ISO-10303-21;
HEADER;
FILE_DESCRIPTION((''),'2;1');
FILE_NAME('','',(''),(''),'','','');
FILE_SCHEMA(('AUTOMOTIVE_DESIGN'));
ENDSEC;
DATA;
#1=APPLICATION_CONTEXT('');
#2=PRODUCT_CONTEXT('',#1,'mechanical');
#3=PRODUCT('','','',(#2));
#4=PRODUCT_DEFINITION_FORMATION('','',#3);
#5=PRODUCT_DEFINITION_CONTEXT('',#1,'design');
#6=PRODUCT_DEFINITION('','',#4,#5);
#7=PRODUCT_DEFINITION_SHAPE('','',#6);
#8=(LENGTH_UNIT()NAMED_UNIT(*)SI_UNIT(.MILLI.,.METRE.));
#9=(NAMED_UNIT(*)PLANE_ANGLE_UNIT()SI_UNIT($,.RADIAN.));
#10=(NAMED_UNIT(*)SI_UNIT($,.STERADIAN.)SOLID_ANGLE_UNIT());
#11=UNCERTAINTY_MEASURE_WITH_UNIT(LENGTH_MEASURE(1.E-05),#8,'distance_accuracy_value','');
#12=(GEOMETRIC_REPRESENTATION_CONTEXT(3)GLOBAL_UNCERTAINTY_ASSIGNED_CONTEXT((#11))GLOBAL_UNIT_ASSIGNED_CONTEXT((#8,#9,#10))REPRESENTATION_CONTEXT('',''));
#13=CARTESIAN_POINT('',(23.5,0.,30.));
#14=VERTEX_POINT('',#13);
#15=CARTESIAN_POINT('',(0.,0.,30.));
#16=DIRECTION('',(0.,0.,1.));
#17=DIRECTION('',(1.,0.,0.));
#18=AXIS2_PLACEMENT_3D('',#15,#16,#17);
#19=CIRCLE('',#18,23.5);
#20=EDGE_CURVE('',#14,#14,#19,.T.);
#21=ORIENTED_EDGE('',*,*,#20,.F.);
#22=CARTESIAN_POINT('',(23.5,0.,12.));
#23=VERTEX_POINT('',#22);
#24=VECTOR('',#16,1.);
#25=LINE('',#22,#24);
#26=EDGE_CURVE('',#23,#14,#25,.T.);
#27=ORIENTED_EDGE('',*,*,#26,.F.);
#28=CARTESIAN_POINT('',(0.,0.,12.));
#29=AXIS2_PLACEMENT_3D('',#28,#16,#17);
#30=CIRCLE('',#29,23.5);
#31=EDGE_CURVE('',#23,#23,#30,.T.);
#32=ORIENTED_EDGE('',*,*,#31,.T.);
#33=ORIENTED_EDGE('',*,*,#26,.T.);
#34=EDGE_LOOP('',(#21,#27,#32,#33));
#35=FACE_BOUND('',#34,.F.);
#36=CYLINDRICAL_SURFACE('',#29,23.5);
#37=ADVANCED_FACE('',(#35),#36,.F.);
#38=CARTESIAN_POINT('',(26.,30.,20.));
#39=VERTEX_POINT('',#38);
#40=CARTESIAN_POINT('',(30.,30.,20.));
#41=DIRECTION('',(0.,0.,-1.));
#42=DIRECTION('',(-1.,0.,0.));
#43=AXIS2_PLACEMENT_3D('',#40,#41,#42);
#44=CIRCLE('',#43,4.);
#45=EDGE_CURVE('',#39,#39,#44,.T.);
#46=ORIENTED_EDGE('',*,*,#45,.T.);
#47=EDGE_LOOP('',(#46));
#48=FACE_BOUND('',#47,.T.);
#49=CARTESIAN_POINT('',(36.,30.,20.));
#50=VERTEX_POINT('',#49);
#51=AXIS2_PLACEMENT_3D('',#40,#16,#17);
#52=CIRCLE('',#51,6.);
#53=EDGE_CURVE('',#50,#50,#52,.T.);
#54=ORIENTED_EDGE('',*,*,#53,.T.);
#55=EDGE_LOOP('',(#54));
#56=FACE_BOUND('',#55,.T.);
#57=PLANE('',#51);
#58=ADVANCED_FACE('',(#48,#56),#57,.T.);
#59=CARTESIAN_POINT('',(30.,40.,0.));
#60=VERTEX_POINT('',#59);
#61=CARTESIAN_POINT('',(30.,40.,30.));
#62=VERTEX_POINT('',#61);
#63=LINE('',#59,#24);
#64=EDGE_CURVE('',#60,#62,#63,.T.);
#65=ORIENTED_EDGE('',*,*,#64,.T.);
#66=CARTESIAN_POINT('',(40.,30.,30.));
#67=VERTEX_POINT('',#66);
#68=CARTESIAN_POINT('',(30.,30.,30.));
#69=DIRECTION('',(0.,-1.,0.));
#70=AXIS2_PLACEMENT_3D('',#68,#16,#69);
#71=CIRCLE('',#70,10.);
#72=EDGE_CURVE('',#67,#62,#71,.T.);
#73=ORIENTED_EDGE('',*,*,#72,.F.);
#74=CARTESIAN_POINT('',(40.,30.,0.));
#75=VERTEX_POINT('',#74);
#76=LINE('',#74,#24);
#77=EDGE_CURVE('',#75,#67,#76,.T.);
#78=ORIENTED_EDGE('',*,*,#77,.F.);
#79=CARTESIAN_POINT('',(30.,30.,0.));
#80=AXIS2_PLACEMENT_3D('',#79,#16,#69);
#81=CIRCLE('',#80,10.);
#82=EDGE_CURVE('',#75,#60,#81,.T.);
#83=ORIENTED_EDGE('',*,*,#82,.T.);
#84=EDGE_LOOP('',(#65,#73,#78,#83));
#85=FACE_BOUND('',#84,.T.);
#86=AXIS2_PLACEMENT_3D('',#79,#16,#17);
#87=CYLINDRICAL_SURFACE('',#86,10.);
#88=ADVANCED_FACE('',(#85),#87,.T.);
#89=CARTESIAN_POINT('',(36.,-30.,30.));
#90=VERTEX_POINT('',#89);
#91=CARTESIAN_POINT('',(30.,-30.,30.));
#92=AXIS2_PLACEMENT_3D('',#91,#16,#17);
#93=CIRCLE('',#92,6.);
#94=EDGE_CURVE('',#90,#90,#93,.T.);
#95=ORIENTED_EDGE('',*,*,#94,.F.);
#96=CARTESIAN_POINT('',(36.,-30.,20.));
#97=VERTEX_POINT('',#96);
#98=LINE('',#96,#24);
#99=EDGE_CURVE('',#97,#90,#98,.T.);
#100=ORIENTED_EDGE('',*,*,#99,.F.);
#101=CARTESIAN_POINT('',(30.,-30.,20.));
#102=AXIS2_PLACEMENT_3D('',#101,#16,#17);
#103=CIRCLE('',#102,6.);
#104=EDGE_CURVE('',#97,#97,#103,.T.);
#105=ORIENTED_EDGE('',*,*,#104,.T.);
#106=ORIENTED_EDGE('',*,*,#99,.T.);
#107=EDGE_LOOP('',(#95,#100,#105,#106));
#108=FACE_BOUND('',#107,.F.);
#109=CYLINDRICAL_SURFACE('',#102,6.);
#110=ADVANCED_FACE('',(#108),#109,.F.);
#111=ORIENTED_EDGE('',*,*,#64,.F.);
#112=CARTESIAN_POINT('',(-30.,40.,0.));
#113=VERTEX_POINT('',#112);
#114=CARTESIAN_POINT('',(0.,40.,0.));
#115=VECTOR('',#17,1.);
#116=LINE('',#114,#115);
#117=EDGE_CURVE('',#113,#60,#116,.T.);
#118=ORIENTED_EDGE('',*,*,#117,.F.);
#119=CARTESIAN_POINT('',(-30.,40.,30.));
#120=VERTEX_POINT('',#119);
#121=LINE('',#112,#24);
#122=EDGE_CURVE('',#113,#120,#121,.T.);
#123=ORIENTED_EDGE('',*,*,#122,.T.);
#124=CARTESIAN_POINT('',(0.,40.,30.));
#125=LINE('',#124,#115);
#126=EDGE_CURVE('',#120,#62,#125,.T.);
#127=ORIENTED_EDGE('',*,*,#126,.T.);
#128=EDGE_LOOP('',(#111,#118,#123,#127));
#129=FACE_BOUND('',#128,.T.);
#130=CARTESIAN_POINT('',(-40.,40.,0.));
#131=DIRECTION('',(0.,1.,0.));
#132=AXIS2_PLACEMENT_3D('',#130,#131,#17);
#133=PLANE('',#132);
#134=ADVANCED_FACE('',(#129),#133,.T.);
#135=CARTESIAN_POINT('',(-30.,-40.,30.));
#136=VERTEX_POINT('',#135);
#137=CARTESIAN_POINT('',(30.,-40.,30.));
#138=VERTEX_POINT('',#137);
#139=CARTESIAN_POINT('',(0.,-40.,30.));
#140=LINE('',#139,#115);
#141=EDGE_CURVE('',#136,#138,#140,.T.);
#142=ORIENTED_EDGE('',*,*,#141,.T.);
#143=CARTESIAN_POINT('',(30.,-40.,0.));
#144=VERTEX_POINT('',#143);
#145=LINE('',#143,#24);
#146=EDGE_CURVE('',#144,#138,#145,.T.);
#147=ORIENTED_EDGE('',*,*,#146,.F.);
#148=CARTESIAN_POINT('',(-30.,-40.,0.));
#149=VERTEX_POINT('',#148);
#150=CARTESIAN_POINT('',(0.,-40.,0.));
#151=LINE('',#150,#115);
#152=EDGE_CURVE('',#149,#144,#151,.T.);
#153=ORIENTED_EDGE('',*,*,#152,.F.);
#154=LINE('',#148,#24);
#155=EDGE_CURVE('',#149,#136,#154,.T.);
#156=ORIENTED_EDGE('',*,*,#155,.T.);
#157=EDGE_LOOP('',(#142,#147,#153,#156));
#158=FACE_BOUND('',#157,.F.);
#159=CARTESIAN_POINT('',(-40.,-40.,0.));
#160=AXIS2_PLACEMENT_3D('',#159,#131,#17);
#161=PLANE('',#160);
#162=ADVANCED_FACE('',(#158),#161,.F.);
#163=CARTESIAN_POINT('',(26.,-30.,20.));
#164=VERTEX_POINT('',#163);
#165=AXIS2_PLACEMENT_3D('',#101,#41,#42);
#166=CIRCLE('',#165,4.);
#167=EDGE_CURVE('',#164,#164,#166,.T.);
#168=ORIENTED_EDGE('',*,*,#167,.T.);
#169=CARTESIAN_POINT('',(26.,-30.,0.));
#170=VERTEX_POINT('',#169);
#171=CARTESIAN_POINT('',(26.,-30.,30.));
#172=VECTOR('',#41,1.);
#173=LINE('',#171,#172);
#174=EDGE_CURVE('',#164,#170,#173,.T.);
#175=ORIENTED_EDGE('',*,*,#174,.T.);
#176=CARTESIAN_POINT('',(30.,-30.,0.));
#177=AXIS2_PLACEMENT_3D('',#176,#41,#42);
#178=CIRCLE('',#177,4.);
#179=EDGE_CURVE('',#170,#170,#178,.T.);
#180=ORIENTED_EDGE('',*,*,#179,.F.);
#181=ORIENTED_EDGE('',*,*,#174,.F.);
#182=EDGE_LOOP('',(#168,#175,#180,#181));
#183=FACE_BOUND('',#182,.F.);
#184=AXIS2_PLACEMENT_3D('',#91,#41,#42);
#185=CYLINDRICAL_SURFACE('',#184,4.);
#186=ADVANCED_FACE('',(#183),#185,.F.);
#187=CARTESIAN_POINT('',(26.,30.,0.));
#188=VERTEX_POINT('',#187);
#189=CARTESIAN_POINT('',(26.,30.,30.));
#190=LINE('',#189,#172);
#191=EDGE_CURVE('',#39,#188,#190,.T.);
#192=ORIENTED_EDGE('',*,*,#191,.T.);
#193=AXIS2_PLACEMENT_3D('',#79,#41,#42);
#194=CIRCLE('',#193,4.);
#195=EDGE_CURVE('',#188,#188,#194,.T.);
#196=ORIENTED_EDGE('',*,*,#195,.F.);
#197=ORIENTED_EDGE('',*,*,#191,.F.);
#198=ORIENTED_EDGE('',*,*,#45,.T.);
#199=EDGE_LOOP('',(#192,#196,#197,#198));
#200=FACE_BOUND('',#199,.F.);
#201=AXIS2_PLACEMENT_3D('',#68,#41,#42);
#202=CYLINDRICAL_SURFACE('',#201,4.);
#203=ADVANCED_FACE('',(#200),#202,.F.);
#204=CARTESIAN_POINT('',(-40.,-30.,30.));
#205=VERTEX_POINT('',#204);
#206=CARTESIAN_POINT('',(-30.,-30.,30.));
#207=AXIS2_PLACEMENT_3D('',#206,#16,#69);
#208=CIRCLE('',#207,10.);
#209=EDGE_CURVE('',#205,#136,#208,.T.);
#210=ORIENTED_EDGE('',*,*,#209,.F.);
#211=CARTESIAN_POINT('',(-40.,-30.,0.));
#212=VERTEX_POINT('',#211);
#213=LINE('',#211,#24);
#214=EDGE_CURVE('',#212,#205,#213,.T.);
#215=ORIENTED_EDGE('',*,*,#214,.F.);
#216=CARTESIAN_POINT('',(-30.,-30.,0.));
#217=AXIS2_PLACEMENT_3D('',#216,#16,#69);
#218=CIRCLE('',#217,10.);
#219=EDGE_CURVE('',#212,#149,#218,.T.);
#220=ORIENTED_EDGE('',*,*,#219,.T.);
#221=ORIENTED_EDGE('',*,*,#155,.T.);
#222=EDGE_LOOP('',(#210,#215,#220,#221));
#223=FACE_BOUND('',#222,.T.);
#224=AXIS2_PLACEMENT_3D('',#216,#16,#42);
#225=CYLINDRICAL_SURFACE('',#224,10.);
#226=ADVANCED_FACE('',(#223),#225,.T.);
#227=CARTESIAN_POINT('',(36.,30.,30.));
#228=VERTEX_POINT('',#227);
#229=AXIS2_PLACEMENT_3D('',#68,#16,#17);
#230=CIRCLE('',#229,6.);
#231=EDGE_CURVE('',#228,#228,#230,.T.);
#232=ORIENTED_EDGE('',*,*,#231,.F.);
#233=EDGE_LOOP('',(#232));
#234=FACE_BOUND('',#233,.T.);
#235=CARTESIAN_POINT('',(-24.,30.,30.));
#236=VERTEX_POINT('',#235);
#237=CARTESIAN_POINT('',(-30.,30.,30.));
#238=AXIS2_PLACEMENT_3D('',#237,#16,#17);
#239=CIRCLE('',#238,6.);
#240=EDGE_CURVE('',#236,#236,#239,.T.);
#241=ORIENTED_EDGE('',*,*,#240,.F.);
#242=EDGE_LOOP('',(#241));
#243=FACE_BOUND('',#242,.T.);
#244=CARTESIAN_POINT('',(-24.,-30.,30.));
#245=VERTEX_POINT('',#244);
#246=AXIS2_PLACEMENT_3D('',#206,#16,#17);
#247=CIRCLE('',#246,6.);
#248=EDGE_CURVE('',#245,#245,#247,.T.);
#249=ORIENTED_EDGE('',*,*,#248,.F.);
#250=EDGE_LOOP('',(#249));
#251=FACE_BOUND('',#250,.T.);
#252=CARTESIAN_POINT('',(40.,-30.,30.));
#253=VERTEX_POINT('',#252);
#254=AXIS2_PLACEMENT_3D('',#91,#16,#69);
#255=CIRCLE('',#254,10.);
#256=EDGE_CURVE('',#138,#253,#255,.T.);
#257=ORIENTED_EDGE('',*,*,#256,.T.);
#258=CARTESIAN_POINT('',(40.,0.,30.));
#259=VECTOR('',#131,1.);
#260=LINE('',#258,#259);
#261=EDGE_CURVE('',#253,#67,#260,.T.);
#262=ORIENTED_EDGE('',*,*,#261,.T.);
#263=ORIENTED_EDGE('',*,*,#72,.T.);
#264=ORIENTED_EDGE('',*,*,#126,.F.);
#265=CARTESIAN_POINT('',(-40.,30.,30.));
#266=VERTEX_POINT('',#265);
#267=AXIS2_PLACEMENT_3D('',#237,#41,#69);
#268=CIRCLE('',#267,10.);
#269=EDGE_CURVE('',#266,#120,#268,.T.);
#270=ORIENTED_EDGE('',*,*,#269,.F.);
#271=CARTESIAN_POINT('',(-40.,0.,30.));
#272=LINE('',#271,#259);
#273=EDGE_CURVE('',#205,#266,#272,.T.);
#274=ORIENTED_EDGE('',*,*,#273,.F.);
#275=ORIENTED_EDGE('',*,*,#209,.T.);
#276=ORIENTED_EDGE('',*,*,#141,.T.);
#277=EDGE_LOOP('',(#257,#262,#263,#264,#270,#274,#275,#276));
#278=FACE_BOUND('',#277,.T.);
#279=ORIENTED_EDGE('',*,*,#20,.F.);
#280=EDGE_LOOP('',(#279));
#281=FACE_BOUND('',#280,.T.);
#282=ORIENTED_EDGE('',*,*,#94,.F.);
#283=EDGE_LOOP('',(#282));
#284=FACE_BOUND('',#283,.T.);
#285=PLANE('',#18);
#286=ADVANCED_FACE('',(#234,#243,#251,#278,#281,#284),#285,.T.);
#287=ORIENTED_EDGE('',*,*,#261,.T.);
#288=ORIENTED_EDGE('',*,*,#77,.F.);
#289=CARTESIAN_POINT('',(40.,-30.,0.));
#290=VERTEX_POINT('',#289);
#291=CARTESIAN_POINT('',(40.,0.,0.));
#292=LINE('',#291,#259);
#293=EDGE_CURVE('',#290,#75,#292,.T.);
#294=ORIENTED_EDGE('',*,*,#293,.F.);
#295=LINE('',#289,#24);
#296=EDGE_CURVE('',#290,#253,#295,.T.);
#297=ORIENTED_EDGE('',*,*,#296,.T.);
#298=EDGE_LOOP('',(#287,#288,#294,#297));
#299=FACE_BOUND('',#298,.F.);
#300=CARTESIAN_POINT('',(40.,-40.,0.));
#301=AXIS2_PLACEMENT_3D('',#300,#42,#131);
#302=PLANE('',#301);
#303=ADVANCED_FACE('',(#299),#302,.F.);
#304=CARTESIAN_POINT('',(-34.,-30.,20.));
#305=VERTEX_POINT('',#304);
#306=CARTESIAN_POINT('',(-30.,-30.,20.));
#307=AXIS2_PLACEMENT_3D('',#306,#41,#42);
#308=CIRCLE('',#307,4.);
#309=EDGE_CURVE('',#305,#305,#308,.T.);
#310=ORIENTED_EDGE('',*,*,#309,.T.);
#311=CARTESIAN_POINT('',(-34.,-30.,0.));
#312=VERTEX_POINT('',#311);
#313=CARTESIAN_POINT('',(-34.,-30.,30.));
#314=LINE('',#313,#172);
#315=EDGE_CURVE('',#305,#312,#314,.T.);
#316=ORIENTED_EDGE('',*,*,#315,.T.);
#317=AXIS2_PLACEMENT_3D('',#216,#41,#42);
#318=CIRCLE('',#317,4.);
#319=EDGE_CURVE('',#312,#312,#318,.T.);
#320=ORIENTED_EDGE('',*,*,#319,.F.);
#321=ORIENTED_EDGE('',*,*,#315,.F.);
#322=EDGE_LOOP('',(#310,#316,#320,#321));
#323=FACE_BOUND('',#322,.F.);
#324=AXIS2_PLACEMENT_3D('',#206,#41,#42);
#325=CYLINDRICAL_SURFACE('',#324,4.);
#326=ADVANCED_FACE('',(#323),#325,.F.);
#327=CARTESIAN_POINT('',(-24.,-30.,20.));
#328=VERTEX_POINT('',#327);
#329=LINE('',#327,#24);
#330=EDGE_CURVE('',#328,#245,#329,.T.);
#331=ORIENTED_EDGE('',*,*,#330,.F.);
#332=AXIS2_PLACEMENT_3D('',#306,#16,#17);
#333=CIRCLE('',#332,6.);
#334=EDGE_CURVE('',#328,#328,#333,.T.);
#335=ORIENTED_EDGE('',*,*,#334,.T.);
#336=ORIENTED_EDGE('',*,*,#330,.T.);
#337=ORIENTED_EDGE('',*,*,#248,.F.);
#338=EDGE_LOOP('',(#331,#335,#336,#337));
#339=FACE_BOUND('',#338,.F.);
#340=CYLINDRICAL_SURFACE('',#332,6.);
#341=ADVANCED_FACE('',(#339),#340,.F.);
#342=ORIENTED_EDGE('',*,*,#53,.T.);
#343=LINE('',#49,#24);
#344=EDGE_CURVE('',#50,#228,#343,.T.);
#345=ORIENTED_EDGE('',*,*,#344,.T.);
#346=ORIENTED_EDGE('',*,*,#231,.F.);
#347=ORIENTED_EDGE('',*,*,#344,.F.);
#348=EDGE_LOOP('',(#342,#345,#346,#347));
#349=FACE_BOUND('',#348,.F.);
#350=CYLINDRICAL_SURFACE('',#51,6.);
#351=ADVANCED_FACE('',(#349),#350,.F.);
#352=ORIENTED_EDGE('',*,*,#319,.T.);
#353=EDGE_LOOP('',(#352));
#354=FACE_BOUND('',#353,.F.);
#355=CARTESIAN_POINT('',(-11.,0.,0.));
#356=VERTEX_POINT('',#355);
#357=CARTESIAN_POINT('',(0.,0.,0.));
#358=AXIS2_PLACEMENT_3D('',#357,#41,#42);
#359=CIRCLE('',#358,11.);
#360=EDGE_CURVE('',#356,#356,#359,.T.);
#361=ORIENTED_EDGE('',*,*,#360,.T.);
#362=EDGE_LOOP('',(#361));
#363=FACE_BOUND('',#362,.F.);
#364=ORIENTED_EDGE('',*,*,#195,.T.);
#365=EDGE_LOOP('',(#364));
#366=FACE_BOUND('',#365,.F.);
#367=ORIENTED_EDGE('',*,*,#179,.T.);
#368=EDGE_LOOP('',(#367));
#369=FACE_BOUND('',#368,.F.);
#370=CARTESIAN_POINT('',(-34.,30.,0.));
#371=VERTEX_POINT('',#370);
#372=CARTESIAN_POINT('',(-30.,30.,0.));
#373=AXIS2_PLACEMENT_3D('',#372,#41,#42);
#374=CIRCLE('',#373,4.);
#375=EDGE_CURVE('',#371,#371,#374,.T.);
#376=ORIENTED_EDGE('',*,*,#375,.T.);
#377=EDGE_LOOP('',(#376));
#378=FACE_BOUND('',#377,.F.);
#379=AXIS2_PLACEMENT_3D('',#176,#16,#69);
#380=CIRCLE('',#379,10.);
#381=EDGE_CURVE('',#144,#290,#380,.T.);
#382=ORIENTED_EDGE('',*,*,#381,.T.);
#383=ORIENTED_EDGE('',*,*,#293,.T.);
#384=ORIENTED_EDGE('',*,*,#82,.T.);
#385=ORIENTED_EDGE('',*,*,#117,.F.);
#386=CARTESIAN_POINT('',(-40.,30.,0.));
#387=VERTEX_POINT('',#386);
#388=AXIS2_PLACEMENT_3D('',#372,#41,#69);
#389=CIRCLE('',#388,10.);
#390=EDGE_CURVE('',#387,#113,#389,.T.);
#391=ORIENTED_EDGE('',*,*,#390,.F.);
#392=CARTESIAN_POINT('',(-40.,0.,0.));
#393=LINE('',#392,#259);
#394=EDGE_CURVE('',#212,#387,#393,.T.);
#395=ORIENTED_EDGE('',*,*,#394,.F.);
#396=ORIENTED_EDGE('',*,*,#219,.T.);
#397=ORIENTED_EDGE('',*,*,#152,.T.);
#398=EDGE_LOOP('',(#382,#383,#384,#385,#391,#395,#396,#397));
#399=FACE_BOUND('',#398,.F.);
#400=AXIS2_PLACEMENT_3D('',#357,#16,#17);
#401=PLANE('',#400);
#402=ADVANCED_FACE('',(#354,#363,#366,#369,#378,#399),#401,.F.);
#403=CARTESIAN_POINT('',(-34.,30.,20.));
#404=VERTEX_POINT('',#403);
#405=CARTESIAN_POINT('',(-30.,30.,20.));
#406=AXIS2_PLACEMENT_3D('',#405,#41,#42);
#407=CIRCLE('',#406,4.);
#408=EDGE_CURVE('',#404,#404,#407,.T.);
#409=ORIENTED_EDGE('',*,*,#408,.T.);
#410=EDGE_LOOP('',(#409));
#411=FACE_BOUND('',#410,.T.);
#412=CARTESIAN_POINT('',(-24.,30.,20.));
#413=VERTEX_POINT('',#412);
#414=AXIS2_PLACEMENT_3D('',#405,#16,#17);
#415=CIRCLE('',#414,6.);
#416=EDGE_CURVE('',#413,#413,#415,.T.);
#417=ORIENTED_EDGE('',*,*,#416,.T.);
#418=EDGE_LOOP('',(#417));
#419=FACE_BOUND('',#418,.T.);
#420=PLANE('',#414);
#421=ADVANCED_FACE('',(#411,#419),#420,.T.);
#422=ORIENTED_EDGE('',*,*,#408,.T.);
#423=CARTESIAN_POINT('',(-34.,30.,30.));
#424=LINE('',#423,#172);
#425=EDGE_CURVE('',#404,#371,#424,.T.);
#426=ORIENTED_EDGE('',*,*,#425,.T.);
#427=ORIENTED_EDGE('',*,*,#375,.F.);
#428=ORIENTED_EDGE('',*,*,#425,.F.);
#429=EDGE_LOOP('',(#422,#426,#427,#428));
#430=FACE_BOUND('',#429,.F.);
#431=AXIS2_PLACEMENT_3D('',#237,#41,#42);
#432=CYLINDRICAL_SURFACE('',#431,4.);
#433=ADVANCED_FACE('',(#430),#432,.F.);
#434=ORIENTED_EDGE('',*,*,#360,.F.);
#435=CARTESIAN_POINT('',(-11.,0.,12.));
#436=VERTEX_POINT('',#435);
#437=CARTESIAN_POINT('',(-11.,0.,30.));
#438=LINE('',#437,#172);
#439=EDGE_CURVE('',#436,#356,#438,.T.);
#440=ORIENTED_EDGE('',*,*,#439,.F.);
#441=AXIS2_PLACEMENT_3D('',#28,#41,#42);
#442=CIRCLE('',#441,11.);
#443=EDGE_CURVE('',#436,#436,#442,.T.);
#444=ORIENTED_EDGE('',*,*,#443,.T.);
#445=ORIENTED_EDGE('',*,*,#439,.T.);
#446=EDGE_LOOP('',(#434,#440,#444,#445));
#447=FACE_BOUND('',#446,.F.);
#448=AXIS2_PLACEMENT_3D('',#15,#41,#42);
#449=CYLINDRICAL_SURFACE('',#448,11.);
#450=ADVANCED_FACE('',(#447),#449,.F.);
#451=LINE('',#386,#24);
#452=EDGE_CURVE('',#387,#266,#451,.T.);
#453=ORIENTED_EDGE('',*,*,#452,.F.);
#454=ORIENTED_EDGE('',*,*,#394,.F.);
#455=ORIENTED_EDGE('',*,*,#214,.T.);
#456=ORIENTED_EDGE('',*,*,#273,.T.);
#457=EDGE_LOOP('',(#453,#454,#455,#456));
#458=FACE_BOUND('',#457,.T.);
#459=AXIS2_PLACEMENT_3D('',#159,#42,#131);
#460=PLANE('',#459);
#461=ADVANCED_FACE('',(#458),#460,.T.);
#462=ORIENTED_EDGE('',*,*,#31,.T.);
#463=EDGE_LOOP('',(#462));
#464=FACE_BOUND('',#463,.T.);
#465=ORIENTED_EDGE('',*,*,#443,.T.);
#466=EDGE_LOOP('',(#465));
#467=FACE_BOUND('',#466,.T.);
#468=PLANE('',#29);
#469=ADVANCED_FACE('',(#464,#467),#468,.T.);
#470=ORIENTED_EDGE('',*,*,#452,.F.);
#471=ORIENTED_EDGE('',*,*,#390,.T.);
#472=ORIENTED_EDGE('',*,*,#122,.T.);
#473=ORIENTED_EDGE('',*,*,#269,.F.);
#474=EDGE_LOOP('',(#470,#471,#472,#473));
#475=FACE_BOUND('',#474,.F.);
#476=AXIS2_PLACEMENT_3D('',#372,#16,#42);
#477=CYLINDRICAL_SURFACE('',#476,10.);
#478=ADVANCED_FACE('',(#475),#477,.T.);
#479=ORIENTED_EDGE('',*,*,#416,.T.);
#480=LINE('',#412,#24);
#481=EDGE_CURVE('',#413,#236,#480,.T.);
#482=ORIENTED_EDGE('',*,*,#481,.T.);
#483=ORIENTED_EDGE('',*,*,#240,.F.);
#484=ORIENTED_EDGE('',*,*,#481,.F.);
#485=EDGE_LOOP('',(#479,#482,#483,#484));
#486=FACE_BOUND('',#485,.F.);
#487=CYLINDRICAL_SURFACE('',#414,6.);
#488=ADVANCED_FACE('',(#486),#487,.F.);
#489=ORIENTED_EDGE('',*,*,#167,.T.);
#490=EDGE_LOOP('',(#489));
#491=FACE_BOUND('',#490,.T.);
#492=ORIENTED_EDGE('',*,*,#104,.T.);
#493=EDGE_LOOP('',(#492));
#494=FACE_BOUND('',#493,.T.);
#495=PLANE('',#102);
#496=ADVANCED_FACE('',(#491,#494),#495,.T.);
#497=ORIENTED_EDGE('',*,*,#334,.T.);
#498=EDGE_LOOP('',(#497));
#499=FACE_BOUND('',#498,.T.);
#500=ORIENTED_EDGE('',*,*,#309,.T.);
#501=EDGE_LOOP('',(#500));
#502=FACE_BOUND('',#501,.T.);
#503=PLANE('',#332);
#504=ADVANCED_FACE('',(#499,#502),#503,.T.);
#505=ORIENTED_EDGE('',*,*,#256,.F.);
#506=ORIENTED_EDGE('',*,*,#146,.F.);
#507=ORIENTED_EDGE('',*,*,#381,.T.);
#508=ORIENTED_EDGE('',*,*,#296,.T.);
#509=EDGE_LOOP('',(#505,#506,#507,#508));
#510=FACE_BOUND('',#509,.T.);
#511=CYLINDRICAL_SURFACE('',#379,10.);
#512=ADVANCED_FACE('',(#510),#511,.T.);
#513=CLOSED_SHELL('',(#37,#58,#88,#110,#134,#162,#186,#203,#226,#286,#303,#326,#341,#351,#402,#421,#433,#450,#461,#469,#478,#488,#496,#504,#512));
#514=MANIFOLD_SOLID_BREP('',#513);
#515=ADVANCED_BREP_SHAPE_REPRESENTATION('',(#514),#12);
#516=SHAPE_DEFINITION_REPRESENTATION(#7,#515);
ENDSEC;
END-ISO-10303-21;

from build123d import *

# Parameters (mm, degrees)
F0_W           = 80
F0_H           = 80
F1_DEPTH       = 30
F2_R           = 10
F4_D           = 22
F4_CBORE_D     = 47
F4_CBORE_DEPTH = 18
F6_D           = 8
F6_CBORE_D     = 12
F6_CBORE_DEPTH = 10


with BuildPart() as f1:
    # F0 (on Top) → F1 (new body)
    with BuildSketch(Plane.XY):
        Rectangle(F0_W, F0_H)
    extrude(amount=F1_DEPTH)

    # F2
    f2_edges = [f1.edges().sort_by_distance(p)[0] for p in [
        (-40, 40, 15),
        (-40, -40, 15),
        (40, -40, 15),
        (40, 40, 15),
    ]]
    fillet(f2_edges, radius=F2_R)

    # F4 (through all)
    with Locations(Plane.XY.offset(30)):
        with Locations((0, 0)):
            CounterBoreHole(F4_D / 2, F4_CBORE_D / 2, F4_CBORE_DEPTH)

    # F6 (through all)
    with Locations(Plane.XY.offset(30)):
        with Locations((-30, 30), (30, 30), (30, -30), (-30, -30)):
            CounterBoreHole(F6_D / 2, F6_CBORE_D / 2, F6_CBORE_DEPTH)


solid = f1.part
